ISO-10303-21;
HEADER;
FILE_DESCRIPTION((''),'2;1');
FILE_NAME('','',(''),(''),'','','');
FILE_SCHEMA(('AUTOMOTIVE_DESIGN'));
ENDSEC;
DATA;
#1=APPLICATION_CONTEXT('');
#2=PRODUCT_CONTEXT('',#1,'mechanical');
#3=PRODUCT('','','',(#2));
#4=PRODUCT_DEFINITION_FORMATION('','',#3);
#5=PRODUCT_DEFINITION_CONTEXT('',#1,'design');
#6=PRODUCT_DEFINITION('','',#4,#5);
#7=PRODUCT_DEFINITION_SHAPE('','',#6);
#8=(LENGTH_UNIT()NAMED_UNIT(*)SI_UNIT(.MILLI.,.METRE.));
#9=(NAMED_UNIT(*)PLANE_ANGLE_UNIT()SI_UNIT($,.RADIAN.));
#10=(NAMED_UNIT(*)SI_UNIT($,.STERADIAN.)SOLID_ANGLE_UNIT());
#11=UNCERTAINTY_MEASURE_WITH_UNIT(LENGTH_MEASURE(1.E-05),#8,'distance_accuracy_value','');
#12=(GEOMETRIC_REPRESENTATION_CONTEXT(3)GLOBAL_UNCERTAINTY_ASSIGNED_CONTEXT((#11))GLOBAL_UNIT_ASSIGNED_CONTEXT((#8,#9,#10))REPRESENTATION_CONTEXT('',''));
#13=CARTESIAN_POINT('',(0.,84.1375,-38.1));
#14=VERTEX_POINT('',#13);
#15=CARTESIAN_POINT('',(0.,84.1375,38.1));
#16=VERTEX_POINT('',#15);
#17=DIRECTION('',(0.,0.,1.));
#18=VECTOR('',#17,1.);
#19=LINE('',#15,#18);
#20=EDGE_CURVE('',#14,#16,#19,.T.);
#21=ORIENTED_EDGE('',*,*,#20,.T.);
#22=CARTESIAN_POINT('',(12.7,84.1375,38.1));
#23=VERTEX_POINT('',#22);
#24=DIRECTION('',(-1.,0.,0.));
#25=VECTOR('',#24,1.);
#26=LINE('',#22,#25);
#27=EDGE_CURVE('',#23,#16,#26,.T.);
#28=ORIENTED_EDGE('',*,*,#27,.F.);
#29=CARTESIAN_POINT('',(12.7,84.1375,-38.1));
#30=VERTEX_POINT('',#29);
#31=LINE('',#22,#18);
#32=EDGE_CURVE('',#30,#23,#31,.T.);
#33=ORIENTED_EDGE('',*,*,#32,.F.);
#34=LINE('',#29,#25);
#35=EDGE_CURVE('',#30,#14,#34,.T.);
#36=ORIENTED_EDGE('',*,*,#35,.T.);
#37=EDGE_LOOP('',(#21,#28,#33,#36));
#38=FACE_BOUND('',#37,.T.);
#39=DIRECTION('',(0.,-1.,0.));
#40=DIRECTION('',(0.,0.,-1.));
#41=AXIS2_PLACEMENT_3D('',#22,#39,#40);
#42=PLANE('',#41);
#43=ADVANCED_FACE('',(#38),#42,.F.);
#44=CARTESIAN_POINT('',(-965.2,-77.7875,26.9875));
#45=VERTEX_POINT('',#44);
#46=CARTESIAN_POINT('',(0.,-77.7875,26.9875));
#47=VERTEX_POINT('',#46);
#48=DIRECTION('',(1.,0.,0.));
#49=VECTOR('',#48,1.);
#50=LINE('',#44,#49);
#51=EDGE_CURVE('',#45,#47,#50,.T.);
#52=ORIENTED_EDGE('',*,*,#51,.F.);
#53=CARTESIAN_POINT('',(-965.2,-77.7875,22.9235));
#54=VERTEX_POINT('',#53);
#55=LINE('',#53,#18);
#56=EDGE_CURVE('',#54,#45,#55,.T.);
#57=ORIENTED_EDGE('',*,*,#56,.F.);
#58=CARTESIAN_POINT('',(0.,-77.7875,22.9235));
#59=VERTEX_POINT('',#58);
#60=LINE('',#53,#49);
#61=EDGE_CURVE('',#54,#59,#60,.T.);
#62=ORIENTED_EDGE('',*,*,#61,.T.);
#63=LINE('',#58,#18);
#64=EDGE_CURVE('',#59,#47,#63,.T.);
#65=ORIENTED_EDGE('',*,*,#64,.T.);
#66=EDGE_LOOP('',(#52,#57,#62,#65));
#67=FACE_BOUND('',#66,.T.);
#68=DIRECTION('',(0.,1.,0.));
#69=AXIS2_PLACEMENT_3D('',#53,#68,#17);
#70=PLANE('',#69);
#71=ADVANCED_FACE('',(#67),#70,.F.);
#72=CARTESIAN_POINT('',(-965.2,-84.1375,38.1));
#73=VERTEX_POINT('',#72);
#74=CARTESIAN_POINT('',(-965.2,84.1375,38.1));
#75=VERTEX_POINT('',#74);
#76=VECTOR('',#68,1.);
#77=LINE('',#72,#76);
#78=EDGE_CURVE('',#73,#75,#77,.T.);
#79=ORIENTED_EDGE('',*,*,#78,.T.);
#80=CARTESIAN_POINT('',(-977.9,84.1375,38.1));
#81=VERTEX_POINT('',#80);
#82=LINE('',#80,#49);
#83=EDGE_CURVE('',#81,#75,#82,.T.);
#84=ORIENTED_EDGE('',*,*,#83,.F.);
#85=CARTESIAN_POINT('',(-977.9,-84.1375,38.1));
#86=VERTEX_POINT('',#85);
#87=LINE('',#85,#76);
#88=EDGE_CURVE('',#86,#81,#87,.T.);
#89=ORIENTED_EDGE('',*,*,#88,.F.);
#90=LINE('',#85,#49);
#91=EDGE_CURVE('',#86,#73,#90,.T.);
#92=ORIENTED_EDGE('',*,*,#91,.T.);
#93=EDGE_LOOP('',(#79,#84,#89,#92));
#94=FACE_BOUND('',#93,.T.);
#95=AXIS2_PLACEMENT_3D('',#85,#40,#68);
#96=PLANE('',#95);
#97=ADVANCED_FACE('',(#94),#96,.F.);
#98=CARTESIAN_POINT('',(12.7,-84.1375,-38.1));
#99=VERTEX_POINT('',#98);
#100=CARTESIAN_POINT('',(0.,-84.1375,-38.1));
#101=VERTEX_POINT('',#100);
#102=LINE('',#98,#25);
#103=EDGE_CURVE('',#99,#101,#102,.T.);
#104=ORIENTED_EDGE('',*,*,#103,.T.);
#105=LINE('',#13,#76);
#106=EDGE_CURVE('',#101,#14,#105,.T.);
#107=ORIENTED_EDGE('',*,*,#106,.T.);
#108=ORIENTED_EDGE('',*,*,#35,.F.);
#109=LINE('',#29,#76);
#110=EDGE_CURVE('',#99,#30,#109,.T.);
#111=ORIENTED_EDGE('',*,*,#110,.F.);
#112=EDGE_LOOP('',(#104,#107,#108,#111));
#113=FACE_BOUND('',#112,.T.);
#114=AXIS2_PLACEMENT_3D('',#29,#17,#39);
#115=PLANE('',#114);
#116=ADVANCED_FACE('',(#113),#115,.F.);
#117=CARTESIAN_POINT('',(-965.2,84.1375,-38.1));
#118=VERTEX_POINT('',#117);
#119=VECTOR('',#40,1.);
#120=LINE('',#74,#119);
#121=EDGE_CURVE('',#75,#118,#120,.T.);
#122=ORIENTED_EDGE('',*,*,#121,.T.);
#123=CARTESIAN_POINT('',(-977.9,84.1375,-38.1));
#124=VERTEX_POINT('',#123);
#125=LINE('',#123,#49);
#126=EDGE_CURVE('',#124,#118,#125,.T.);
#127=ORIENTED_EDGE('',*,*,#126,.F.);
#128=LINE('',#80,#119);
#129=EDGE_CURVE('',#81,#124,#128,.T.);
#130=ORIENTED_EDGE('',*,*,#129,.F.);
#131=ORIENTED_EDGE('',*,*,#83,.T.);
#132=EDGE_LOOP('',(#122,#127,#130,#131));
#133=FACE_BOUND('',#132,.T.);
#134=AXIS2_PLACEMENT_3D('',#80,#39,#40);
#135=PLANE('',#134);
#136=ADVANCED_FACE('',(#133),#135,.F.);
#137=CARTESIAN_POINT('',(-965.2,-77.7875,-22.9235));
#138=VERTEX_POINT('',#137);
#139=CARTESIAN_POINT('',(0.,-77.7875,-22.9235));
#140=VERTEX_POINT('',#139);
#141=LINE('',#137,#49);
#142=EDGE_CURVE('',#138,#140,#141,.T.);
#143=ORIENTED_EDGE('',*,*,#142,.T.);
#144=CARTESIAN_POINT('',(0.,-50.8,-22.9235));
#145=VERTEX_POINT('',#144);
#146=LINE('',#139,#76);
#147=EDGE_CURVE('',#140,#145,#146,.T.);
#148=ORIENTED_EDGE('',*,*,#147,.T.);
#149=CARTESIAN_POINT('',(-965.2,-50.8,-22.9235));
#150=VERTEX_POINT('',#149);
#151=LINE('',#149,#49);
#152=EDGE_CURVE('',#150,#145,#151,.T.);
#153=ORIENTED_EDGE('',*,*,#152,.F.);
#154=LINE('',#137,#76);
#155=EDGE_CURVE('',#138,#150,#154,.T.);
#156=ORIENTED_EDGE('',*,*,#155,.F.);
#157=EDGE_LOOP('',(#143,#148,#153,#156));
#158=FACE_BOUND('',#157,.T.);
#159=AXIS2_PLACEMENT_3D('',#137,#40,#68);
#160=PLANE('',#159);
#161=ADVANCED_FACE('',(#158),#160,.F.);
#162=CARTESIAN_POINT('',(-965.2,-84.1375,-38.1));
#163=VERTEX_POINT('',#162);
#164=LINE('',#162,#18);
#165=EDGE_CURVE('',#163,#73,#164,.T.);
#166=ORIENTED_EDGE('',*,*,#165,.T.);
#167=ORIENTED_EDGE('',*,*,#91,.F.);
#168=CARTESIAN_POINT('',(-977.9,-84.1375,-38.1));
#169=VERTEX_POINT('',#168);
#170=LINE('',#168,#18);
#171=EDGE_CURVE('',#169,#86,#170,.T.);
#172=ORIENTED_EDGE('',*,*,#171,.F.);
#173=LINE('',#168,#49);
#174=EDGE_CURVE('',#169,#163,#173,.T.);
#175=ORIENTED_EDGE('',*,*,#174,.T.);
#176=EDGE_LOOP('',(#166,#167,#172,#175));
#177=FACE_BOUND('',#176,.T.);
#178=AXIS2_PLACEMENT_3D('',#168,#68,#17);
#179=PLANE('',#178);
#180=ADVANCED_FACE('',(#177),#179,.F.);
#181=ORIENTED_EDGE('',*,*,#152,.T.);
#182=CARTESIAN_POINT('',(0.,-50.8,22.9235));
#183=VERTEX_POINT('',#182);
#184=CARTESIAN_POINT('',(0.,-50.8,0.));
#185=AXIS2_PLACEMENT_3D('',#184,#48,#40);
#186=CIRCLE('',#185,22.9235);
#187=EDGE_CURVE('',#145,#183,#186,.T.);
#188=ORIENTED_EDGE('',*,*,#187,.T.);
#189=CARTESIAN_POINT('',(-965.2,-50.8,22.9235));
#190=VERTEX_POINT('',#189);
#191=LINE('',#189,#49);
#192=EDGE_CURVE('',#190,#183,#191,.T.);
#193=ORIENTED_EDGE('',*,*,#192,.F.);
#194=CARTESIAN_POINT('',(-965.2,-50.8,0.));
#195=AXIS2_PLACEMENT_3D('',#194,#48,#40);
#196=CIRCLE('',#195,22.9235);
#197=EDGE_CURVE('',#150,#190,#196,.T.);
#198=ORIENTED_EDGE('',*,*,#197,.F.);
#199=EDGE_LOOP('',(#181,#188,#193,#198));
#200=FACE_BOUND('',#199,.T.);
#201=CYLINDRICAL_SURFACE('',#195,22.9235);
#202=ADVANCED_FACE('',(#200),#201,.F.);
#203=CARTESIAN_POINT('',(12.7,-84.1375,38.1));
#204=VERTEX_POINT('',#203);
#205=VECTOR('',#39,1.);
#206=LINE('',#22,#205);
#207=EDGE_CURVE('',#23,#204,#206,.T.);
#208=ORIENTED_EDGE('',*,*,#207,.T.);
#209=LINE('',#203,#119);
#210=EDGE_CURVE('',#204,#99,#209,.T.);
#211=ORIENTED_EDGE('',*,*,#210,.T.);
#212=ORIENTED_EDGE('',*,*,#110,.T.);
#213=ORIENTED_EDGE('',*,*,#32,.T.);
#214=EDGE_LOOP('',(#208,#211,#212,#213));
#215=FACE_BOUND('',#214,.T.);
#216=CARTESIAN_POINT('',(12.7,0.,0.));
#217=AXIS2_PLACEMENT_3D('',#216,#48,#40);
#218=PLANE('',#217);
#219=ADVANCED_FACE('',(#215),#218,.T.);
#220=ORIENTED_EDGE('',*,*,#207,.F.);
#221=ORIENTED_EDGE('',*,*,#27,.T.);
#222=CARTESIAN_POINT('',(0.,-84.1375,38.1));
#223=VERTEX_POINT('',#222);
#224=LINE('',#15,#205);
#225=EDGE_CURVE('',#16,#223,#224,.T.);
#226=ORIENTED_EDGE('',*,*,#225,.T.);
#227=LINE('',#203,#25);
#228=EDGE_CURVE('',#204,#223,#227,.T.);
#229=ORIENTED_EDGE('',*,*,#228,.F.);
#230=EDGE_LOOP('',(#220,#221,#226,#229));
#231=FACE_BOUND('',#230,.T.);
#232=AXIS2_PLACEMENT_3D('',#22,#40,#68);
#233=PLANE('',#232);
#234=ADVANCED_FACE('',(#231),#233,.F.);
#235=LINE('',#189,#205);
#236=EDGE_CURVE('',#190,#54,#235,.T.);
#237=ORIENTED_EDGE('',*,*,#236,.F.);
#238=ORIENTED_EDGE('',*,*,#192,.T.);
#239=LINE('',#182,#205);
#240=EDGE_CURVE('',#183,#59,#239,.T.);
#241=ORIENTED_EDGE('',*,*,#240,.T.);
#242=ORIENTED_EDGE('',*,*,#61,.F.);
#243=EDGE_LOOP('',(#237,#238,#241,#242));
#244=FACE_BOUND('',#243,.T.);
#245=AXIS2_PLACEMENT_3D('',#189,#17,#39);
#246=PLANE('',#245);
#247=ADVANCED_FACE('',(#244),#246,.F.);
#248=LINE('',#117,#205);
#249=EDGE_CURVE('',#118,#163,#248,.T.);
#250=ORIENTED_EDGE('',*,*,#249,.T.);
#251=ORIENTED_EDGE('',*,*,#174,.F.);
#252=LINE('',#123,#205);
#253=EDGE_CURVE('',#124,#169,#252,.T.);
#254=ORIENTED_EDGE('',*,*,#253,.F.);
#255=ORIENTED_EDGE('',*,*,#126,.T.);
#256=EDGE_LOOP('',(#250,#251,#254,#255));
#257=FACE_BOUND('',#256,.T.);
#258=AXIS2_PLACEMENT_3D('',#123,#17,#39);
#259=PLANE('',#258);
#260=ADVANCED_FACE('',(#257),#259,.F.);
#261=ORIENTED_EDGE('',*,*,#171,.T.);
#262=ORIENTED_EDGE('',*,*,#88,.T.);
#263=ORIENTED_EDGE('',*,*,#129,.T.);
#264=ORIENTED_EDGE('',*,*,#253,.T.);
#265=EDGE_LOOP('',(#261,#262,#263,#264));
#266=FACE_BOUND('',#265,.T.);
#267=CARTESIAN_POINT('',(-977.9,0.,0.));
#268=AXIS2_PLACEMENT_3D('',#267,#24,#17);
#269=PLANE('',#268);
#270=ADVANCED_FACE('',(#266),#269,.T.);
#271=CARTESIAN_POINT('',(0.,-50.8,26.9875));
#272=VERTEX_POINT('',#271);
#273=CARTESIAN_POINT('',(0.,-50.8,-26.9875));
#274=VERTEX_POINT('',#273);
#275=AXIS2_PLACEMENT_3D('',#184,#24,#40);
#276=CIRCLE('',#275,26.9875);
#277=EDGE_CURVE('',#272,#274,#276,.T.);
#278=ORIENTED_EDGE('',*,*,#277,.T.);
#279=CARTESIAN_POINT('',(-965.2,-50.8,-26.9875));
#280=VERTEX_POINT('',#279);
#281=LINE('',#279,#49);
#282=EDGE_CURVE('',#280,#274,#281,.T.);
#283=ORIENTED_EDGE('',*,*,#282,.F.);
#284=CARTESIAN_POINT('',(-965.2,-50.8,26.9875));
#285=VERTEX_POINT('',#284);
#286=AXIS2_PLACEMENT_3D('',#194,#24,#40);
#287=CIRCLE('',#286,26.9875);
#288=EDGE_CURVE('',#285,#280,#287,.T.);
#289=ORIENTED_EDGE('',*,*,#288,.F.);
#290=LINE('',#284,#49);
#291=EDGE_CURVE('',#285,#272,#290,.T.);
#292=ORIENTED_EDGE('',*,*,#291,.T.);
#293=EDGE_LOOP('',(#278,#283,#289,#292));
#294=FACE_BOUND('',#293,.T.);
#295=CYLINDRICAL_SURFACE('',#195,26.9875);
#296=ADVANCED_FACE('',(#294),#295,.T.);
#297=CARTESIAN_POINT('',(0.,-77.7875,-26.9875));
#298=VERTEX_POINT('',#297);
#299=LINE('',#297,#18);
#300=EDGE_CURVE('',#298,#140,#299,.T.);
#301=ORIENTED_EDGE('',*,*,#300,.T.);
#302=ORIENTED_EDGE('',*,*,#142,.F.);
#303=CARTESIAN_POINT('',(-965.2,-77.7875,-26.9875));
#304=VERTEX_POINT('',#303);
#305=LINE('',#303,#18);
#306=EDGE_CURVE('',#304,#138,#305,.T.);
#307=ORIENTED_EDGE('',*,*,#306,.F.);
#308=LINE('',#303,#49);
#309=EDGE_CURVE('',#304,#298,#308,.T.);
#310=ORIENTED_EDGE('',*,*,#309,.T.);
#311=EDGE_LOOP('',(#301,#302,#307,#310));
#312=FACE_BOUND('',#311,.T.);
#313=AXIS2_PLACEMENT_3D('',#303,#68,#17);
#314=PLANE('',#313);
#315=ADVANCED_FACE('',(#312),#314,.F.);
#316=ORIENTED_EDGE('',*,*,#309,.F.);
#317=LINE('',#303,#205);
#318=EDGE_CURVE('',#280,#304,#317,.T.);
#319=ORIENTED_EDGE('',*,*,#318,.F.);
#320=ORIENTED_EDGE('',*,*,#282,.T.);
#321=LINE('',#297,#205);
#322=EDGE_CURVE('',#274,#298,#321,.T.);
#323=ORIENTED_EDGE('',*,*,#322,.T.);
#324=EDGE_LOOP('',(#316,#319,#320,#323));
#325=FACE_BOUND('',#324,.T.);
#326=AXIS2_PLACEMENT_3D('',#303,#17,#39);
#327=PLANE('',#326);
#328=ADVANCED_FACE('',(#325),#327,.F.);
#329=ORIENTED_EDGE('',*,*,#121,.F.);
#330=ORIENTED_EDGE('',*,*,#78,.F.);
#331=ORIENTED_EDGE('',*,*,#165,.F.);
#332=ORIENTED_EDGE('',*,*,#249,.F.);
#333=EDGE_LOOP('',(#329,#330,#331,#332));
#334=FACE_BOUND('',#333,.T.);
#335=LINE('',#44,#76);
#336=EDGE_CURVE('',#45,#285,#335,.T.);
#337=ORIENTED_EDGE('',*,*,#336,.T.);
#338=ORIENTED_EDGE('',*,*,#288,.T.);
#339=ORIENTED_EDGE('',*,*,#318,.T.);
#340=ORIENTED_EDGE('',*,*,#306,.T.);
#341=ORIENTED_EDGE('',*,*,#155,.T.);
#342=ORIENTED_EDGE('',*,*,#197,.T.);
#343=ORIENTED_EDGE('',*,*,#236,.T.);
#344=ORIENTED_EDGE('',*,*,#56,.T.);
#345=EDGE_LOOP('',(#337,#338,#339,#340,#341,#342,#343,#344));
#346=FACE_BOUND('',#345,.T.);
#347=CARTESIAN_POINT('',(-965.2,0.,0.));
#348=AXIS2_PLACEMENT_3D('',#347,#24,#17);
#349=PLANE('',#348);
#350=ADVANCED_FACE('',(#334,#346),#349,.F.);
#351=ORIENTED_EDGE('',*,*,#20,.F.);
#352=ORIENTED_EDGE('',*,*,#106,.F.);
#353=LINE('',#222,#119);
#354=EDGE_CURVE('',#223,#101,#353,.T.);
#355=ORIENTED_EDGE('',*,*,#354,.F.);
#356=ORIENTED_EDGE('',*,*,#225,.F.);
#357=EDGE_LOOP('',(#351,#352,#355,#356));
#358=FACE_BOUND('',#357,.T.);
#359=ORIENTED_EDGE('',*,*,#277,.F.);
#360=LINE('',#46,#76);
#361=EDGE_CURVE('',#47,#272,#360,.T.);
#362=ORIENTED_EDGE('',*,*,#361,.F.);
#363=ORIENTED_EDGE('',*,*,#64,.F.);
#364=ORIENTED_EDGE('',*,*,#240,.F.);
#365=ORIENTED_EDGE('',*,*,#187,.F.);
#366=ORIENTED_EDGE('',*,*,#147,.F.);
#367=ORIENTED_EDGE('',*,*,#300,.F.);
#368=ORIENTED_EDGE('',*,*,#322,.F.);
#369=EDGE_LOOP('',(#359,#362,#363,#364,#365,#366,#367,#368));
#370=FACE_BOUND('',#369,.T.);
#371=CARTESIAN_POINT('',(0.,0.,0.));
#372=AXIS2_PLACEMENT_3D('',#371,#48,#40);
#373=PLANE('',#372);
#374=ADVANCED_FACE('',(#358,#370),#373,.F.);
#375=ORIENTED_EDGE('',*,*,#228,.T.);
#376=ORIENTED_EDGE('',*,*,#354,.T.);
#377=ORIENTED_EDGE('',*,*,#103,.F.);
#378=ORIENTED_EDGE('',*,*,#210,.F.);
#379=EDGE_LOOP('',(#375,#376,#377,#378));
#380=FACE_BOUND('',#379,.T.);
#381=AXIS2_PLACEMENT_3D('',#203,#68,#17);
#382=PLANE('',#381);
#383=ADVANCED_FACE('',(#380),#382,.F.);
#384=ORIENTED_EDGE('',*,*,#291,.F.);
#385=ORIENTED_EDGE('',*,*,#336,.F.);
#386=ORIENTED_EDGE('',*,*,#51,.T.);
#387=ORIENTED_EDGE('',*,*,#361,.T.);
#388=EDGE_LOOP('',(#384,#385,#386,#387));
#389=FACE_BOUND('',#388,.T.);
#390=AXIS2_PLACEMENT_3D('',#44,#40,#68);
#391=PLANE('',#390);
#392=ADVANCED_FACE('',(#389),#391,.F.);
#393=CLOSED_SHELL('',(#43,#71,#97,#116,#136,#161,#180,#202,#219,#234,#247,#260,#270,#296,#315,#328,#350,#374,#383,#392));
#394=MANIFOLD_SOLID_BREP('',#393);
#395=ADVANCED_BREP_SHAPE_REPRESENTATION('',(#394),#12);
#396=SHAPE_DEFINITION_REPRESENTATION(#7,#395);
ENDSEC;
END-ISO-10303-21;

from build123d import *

# Parameters (mm, degrees)
SKETCH1_W           = 76.2
SKETCH1_H           = 168.275
BOSS_EXTRUDE1_DEPTH = 12.7
BOSS_EXTRUDE2_DEPTH = 965.2
SKETCH3_W           = 76.2
SKETCH3_H           = 168.275
BOSS_EXTRUDE3_DEPTH = 12.7


with BuildPart() as part:
    # Sketch1 → Boss-Extrude1 (new body)
    with BuildSketch(Plane(origin=(0, 0, 0), x_dir=(0, 0, -1), z_dir=(1, 0, 0))):
        Rectangle(SKETCH1_W, SKETCH1_H)
    extrude(amount=BOSS_EXTRUDE1_DEPTH)

    # Sketch2 → Boss-Extrude2 (add)
    with BuildSketch(Plane.ZY):
        with BuildLine():
            Line((-26.9875, -77.7875), (-26.9875, -50.8))
            ThreePointArc((-26.9875, -50.8), (0, -23.8125), (26.9875, -50.8))
            Line((26.9875, -50.8), (26.9875, -77.7875))
            Line((26.9875, -77.7875), (22.9235, -77.7875))
            Line((22.9235, -77.7875), (22.9235, -50.8))
            ThreePointArc((22.9235, -50.8), (0, -27.8765), (-22.9235, -50.8))
            Line((-22.9235, -50.8), (-22.9235, -77.7875))
            Line((-22.9235, -77.7875), (-26.9875, -77.7875))
        make_face()
    extrude(amount=BOSS_EXTRUDE2_DEPTH)

    # Sketch3 → Boss-Extrude3 (add)
    with BuildSketch(Plane.ZY.offset(965.2)):
        Rectangle(SKETCH3_W, SKETCH3_H)
    extrude(amount=BOSS_EXTRUDE3_DEPTH)


solid = part.part
